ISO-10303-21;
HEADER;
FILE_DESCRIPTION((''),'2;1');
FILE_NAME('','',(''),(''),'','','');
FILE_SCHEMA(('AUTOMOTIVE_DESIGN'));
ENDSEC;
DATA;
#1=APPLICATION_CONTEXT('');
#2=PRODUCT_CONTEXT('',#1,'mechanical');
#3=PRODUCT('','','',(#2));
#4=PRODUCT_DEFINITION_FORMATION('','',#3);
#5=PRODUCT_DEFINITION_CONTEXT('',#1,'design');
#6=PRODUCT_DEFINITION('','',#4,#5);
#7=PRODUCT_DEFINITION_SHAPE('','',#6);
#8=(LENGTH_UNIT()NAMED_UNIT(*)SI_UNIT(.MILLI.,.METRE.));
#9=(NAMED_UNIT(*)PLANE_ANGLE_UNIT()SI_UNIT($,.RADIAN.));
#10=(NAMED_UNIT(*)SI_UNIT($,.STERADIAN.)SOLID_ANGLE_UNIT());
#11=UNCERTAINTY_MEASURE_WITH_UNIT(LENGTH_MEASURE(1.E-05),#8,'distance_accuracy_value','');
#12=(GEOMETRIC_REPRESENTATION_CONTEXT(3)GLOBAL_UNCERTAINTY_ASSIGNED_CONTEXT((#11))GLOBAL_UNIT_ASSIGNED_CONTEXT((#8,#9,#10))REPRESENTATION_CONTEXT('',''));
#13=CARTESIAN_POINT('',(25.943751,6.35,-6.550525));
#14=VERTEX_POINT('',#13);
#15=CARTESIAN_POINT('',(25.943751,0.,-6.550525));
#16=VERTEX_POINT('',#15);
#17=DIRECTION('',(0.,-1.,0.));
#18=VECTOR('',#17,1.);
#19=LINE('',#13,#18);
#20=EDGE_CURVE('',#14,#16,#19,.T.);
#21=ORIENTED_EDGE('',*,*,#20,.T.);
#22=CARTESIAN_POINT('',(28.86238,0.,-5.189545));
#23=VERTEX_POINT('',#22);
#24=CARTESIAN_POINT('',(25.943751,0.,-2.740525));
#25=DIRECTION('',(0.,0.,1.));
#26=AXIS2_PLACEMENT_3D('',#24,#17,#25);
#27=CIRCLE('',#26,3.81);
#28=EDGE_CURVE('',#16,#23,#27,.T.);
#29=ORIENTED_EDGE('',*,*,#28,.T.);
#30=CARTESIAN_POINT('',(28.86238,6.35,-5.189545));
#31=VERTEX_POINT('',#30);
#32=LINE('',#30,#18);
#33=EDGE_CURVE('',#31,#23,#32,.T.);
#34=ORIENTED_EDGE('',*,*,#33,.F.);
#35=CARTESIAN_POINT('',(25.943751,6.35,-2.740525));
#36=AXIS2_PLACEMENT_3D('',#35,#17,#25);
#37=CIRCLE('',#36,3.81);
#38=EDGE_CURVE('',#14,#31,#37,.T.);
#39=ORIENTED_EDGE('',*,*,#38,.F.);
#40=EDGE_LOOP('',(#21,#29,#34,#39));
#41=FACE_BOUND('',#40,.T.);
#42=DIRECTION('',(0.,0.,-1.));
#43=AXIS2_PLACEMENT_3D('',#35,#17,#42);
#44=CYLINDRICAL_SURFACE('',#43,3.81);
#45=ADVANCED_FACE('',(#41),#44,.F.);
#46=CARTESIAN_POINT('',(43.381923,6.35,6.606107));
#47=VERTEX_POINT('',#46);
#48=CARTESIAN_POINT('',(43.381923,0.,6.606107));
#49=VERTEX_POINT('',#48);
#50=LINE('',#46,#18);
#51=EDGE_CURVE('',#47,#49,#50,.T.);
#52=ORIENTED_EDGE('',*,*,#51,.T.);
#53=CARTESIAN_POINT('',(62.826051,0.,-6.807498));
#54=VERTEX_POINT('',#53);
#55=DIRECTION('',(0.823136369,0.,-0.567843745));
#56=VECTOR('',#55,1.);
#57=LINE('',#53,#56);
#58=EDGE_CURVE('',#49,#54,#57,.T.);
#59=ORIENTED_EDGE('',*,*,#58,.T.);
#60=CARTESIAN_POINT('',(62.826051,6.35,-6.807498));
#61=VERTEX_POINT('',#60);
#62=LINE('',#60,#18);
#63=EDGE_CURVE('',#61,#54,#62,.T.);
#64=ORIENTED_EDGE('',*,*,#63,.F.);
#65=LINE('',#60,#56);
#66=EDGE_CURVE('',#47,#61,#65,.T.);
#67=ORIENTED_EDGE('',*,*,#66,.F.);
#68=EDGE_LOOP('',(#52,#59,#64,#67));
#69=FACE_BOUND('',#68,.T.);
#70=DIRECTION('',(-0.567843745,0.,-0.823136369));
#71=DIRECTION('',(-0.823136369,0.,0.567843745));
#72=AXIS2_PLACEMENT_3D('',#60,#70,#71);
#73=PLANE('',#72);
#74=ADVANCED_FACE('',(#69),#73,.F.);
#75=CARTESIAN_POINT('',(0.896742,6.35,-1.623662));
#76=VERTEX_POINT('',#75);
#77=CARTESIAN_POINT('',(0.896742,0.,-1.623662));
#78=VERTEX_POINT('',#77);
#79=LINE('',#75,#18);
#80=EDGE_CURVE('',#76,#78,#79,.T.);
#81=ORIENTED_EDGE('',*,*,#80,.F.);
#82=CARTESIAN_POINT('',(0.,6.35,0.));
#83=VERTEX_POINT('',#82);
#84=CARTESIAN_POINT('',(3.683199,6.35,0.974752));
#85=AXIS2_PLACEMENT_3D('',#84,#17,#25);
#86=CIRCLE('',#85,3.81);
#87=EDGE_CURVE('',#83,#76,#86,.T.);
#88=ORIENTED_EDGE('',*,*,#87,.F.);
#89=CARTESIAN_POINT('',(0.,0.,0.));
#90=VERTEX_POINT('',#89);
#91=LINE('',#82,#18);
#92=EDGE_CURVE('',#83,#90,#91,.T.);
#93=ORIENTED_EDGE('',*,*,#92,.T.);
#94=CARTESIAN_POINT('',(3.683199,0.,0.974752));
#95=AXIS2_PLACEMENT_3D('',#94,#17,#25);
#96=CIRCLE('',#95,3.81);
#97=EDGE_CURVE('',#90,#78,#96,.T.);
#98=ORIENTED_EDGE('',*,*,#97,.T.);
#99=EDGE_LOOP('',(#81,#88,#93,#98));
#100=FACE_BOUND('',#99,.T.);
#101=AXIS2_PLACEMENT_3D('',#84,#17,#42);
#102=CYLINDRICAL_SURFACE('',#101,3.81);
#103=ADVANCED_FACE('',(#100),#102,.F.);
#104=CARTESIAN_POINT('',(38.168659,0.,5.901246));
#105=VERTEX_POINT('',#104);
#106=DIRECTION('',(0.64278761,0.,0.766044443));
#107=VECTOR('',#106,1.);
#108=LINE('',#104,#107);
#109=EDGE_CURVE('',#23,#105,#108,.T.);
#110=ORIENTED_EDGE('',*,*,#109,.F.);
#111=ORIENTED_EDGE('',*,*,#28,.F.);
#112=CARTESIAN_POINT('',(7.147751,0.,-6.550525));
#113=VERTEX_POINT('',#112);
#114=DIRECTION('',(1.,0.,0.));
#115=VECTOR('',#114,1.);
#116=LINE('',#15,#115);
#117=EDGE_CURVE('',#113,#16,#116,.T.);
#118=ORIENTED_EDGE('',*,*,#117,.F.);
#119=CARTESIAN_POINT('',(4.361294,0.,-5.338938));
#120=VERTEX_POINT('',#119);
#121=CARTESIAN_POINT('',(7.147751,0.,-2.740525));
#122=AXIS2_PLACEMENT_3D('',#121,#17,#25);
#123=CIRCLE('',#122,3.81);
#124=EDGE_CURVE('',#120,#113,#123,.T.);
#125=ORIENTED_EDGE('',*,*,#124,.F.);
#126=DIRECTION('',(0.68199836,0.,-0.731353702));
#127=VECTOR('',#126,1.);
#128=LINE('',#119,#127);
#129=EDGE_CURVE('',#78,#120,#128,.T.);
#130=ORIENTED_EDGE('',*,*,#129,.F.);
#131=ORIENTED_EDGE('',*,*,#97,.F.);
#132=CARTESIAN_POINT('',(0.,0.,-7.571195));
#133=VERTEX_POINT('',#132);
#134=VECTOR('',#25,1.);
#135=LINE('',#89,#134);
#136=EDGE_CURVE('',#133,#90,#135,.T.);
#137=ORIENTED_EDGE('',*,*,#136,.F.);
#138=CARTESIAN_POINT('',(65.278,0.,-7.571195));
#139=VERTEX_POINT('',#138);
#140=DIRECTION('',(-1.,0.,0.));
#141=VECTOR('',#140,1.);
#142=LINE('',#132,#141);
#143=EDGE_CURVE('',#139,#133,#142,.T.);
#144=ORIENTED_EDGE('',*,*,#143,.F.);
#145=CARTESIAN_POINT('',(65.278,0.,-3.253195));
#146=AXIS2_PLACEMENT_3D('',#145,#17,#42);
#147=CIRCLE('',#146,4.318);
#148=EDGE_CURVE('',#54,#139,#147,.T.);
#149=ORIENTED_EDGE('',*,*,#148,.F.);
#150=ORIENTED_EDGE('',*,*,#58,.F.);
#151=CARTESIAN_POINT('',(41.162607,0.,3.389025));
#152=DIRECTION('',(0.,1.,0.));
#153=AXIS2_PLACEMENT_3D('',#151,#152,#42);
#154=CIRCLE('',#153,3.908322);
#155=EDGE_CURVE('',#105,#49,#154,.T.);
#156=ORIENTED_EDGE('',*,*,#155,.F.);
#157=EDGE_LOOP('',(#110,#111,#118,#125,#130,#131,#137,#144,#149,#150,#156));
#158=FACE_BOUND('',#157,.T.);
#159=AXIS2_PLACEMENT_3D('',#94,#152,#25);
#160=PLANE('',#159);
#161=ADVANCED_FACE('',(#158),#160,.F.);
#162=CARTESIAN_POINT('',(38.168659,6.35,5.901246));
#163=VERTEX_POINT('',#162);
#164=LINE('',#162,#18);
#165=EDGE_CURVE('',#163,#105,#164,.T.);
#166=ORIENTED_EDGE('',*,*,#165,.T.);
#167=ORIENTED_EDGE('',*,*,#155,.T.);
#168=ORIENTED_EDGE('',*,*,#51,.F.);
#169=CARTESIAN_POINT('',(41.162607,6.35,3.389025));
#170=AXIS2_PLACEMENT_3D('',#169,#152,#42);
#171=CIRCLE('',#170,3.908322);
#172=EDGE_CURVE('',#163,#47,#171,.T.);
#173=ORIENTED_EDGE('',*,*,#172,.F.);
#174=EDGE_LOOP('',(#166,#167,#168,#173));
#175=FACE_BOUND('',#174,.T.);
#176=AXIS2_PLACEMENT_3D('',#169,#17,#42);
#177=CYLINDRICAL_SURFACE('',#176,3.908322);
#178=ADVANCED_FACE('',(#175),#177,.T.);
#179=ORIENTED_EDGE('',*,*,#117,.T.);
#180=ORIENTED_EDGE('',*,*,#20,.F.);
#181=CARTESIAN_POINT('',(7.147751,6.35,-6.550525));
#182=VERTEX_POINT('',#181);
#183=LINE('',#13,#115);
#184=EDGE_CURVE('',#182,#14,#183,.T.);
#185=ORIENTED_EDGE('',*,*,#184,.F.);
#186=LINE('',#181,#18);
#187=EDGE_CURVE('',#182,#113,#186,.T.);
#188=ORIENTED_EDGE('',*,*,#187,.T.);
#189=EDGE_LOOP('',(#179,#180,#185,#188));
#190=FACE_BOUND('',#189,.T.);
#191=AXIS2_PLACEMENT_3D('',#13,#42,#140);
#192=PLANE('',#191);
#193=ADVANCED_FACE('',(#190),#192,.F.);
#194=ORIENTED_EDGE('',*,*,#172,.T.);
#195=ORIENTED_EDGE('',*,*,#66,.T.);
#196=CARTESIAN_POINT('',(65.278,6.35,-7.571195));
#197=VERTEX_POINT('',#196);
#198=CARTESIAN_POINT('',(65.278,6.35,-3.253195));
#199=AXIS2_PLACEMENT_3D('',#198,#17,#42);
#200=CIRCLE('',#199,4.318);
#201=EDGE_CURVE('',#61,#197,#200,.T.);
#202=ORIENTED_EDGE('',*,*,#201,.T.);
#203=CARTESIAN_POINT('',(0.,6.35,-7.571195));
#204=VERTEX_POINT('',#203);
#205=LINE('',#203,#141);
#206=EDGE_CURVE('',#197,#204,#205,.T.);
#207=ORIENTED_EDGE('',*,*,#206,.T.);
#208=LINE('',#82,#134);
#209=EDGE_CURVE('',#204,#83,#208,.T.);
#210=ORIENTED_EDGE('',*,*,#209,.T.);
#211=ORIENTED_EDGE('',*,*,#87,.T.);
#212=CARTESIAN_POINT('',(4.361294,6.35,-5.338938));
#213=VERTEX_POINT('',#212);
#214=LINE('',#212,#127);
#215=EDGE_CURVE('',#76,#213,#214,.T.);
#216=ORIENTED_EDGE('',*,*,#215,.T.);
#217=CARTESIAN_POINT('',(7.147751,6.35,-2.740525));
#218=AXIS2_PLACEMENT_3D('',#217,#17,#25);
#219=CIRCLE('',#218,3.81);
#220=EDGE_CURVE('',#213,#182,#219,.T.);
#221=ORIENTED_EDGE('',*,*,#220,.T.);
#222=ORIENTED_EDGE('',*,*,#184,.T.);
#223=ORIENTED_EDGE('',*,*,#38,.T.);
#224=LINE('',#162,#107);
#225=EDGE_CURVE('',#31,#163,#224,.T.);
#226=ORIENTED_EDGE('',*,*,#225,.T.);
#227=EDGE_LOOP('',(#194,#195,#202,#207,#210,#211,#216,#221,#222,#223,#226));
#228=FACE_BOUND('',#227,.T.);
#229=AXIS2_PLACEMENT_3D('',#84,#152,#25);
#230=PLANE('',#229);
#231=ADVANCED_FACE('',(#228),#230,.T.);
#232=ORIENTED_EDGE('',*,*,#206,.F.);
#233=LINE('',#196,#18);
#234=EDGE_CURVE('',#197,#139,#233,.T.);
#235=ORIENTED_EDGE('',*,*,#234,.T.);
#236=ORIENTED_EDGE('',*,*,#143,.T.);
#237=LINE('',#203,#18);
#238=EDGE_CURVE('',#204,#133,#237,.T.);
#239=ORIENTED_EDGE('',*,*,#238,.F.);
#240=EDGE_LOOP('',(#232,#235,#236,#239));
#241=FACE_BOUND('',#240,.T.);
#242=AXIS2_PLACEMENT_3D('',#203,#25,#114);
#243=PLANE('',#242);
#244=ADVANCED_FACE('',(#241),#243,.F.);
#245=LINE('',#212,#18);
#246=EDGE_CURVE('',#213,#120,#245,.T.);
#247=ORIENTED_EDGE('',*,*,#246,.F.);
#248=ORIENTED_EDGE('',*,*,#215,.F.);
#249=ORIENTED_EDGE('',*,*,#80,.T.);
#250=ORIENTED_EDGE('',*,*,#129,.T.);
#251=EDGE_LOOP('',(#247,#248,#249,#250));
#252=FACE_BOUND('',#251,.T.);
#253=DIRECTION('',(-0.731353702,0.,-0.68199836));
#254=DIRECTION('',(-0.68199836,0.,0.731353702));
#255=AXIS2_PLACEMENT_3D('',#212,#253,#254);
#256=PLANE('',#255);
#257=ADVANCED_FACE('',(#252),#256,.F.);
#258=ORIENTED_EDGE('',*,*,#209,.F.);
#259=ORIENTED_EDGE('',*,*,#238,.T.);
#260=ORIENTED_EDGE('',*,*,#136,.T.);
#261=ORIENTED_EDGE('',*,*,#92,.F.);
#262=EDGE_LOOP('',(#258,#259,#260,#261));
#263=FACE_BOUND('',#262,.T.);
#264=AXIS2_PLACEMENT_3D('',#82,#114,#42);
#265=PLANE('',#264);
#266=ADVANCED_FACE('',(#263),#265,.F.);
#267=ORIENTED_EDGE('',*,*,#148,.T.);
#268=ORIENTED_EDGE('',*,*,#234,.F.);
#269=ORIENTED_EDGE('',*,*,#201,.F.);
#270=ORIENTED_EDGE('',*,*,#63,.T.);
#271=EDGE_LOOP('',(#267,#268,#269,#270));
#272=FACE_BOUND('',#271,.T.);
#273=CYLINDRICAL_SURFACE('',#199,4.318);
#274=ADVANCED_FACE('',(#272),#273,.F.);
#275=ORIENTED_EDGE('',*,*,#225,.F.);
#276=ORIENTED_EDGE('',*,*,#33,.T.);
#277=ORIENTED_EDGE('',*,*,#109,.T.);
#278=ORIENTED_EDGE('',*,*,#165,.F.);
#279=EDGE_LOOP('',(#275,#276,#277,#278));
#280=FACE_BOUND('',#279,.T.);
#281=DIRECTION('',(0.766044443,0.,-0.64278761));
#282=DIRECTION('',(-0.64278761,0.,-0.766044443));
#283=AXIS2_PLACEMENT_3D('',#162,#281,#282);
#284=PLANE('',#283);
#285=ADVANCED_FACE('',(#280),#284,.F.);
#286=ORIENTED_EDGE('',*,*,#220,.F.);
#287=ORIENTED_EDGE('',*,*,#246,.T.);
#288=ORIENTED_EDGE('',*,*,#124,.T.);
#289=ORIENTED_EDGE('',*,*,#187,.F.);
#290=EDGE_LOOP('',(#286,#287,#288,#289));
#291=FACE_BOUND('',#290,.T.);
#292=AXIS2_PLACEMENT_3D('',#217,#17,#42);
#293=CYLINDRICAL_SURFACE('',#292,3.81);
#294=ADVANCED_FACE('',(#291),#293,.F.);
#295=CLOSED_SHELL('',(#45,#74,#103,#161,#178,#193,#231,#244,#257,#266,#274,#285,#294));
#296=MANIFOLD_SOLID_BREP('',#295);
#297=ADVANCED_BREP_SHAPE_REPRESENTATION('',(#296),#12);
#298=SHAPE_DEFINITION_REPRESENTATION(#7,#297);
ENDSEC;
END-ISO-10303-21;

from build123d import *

# Parameters (mm, degrees)
BOSS_EXTRUDE1_DEPTH = 6.35


with BuildPart() as part:
    # Sketch1 → Boss-Extrude1 (new body)
    with BuildSketch(Plane(origin=(0, 0, 0), x_dir=(1, 0, 0), z_dir=(0, 1, 0))):
        with BuildLine():
            Line((0, 0), (0, 7.57119509))
            Line((0, 7.57119509), (65.278, 7.57119509))
            ThreePointArc((65.278, 7.57119509), (63.993935294, 7.375852222), (62.826050709, 6.807497929))
            Line((62.826050709, 6.807497929), (43.381923411, -6.606107017))
            ThreePointArc((43.381923411, -6.606107017), (40.638946364, -7.262106405), (38.168659449, -5.901246074))
            Line((38.168659449, -5.901246074), (28.862380436, 5.189545373))
            ThreePointArc((28.862380436, 5.189545373), (27.553926685, 6.193557249), (25.943751107, 6.55052458))
            Line((25.943751107, 6.55052458), (7.147751107, 6.55052458))
            ThreePointArc((7.147751107, 6.55052458), (5.628517155, 6.234523464), (4.361293504, 5.338938332))
            Line((4.361293504, 5.338938332), (0.896741835, 1.623661528))
            ThreePointArc((0.896741835, 1.623661528), (0.348055551, 0.867234544), (0, 0))
        make_face()
    extrude(amount=BOSS_EXTRUDE1_DEPTH)


solid = part.part
